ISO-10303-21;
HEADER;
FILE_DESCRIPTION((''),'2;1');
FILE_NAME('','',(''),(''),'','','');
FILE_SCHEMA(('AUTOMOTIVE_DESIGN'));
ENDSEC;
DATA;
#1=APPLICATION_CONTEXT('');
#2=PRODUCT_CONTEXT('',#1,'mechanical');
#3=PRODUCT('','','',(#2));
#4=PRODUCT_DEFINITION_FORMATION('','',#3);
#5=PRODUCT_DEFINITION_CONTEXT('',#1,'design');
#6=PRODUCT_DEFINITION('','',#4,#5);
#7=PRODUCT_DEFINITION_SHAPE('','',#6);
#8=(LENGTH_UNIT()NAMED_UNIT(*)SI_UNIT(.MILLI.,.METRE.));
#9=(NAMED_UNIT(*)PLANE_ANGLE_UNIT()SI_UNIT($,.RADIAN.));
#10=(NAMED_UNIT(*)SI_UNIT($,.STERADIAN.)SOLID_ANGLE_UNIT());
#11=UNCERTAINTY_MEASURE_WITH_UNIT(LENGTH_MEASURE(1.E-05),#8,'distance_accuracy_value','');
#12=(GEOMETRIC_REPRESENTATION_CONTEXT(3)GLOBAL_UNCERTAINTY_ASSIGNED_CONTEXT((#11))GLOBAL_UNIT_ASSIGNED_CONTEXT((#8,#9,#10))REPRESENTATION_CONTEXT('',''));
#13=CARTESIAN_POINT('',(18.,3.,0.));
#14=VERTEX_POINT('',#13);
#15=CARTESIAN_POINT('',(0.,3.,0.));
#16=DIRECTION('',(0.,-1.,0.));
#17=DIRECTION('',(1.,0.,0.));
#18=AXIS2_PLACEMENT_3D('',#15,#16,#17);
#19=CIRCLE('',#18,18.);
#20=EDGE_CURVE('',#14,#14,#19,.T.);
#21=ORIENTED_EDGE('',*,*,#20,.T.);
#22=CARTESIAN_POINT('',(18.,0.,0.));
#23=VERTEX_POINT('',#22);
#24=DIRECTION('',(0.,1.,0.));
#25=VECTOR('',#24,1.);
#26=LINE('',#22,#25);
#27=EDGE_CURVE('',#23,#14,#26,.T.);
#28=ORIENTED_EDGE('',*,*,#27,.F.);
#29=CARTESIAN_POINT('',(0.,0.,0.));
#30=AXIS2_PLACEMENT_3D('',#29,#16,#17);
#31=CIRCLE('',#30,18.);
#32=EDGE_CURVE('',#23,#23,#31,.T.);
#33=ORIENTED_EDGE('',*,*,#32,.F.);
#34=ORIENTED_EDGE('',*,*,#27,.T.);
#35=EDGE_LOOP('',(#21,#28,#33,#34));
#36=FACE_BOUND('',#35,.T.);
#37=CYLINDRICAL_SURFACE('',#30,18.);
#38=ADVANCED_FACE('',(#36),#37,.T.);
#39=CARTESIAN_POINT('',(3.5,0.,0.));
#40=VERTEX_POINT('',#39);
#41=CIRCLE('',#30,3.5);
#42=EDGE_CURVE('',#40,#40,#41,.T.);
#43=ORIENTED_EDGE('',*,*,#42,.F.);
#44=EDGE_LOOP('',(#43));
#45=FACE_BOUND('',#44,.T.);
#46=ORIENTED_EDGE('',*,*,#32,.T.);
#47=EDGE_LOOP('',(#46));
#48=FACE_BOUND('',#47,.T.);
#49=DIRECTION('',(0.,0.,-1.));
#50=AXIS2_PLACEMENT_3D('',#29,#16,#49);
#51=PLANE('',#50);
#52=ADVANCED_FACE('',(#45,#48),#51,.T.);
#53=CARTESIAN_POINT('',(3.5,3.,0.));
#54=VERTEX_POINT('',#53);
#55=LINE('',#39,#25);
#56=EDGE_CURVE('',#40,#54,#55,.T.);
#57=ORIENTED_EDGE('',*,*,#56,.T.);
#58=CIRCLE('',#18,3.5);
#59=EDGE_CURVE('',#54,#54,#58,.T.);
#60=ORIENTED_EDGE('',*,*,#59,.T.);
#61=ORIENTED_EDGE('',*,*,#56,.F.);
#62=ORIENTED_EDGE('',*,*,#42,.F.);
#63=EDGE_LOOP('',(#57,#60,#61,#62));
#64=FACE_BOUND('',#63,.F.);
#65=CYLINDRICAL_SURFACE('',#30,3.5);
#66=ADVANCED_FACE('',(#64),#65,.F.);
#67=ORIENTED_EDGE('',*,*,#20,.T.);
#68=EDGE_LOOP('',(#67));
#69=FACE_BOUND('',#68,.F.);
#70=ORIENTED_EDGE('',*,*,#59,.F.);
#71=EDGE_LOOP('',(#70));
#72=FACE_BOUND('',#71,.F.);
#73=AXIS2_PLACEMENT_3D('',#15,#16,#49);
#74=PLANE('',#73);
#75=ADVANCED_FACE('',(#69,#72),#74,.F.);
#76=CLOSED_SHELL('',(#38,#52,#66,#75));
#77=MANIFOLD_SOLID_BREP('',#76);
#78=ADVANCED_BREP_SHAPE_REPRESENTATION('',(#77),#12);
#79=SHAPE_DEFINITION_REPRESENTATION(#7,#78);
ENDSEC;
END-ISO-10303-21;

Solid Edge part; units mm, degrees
sketch "Sketch1" plane through (0, 0, 0) normal (0, -1, 0) x (1, 0, 0)
  circle A0 centre (0, 0) radius 18
  circle A1 centre (0, 0) radius 3.5
  dimension "D1" = 36
  dimension "D2" = 7
extrude "Protrusion1" add sketch "Sketch1" against normal blind 3
properties part number "1976-1200-011" material "Aluminio, 7075-T6"
